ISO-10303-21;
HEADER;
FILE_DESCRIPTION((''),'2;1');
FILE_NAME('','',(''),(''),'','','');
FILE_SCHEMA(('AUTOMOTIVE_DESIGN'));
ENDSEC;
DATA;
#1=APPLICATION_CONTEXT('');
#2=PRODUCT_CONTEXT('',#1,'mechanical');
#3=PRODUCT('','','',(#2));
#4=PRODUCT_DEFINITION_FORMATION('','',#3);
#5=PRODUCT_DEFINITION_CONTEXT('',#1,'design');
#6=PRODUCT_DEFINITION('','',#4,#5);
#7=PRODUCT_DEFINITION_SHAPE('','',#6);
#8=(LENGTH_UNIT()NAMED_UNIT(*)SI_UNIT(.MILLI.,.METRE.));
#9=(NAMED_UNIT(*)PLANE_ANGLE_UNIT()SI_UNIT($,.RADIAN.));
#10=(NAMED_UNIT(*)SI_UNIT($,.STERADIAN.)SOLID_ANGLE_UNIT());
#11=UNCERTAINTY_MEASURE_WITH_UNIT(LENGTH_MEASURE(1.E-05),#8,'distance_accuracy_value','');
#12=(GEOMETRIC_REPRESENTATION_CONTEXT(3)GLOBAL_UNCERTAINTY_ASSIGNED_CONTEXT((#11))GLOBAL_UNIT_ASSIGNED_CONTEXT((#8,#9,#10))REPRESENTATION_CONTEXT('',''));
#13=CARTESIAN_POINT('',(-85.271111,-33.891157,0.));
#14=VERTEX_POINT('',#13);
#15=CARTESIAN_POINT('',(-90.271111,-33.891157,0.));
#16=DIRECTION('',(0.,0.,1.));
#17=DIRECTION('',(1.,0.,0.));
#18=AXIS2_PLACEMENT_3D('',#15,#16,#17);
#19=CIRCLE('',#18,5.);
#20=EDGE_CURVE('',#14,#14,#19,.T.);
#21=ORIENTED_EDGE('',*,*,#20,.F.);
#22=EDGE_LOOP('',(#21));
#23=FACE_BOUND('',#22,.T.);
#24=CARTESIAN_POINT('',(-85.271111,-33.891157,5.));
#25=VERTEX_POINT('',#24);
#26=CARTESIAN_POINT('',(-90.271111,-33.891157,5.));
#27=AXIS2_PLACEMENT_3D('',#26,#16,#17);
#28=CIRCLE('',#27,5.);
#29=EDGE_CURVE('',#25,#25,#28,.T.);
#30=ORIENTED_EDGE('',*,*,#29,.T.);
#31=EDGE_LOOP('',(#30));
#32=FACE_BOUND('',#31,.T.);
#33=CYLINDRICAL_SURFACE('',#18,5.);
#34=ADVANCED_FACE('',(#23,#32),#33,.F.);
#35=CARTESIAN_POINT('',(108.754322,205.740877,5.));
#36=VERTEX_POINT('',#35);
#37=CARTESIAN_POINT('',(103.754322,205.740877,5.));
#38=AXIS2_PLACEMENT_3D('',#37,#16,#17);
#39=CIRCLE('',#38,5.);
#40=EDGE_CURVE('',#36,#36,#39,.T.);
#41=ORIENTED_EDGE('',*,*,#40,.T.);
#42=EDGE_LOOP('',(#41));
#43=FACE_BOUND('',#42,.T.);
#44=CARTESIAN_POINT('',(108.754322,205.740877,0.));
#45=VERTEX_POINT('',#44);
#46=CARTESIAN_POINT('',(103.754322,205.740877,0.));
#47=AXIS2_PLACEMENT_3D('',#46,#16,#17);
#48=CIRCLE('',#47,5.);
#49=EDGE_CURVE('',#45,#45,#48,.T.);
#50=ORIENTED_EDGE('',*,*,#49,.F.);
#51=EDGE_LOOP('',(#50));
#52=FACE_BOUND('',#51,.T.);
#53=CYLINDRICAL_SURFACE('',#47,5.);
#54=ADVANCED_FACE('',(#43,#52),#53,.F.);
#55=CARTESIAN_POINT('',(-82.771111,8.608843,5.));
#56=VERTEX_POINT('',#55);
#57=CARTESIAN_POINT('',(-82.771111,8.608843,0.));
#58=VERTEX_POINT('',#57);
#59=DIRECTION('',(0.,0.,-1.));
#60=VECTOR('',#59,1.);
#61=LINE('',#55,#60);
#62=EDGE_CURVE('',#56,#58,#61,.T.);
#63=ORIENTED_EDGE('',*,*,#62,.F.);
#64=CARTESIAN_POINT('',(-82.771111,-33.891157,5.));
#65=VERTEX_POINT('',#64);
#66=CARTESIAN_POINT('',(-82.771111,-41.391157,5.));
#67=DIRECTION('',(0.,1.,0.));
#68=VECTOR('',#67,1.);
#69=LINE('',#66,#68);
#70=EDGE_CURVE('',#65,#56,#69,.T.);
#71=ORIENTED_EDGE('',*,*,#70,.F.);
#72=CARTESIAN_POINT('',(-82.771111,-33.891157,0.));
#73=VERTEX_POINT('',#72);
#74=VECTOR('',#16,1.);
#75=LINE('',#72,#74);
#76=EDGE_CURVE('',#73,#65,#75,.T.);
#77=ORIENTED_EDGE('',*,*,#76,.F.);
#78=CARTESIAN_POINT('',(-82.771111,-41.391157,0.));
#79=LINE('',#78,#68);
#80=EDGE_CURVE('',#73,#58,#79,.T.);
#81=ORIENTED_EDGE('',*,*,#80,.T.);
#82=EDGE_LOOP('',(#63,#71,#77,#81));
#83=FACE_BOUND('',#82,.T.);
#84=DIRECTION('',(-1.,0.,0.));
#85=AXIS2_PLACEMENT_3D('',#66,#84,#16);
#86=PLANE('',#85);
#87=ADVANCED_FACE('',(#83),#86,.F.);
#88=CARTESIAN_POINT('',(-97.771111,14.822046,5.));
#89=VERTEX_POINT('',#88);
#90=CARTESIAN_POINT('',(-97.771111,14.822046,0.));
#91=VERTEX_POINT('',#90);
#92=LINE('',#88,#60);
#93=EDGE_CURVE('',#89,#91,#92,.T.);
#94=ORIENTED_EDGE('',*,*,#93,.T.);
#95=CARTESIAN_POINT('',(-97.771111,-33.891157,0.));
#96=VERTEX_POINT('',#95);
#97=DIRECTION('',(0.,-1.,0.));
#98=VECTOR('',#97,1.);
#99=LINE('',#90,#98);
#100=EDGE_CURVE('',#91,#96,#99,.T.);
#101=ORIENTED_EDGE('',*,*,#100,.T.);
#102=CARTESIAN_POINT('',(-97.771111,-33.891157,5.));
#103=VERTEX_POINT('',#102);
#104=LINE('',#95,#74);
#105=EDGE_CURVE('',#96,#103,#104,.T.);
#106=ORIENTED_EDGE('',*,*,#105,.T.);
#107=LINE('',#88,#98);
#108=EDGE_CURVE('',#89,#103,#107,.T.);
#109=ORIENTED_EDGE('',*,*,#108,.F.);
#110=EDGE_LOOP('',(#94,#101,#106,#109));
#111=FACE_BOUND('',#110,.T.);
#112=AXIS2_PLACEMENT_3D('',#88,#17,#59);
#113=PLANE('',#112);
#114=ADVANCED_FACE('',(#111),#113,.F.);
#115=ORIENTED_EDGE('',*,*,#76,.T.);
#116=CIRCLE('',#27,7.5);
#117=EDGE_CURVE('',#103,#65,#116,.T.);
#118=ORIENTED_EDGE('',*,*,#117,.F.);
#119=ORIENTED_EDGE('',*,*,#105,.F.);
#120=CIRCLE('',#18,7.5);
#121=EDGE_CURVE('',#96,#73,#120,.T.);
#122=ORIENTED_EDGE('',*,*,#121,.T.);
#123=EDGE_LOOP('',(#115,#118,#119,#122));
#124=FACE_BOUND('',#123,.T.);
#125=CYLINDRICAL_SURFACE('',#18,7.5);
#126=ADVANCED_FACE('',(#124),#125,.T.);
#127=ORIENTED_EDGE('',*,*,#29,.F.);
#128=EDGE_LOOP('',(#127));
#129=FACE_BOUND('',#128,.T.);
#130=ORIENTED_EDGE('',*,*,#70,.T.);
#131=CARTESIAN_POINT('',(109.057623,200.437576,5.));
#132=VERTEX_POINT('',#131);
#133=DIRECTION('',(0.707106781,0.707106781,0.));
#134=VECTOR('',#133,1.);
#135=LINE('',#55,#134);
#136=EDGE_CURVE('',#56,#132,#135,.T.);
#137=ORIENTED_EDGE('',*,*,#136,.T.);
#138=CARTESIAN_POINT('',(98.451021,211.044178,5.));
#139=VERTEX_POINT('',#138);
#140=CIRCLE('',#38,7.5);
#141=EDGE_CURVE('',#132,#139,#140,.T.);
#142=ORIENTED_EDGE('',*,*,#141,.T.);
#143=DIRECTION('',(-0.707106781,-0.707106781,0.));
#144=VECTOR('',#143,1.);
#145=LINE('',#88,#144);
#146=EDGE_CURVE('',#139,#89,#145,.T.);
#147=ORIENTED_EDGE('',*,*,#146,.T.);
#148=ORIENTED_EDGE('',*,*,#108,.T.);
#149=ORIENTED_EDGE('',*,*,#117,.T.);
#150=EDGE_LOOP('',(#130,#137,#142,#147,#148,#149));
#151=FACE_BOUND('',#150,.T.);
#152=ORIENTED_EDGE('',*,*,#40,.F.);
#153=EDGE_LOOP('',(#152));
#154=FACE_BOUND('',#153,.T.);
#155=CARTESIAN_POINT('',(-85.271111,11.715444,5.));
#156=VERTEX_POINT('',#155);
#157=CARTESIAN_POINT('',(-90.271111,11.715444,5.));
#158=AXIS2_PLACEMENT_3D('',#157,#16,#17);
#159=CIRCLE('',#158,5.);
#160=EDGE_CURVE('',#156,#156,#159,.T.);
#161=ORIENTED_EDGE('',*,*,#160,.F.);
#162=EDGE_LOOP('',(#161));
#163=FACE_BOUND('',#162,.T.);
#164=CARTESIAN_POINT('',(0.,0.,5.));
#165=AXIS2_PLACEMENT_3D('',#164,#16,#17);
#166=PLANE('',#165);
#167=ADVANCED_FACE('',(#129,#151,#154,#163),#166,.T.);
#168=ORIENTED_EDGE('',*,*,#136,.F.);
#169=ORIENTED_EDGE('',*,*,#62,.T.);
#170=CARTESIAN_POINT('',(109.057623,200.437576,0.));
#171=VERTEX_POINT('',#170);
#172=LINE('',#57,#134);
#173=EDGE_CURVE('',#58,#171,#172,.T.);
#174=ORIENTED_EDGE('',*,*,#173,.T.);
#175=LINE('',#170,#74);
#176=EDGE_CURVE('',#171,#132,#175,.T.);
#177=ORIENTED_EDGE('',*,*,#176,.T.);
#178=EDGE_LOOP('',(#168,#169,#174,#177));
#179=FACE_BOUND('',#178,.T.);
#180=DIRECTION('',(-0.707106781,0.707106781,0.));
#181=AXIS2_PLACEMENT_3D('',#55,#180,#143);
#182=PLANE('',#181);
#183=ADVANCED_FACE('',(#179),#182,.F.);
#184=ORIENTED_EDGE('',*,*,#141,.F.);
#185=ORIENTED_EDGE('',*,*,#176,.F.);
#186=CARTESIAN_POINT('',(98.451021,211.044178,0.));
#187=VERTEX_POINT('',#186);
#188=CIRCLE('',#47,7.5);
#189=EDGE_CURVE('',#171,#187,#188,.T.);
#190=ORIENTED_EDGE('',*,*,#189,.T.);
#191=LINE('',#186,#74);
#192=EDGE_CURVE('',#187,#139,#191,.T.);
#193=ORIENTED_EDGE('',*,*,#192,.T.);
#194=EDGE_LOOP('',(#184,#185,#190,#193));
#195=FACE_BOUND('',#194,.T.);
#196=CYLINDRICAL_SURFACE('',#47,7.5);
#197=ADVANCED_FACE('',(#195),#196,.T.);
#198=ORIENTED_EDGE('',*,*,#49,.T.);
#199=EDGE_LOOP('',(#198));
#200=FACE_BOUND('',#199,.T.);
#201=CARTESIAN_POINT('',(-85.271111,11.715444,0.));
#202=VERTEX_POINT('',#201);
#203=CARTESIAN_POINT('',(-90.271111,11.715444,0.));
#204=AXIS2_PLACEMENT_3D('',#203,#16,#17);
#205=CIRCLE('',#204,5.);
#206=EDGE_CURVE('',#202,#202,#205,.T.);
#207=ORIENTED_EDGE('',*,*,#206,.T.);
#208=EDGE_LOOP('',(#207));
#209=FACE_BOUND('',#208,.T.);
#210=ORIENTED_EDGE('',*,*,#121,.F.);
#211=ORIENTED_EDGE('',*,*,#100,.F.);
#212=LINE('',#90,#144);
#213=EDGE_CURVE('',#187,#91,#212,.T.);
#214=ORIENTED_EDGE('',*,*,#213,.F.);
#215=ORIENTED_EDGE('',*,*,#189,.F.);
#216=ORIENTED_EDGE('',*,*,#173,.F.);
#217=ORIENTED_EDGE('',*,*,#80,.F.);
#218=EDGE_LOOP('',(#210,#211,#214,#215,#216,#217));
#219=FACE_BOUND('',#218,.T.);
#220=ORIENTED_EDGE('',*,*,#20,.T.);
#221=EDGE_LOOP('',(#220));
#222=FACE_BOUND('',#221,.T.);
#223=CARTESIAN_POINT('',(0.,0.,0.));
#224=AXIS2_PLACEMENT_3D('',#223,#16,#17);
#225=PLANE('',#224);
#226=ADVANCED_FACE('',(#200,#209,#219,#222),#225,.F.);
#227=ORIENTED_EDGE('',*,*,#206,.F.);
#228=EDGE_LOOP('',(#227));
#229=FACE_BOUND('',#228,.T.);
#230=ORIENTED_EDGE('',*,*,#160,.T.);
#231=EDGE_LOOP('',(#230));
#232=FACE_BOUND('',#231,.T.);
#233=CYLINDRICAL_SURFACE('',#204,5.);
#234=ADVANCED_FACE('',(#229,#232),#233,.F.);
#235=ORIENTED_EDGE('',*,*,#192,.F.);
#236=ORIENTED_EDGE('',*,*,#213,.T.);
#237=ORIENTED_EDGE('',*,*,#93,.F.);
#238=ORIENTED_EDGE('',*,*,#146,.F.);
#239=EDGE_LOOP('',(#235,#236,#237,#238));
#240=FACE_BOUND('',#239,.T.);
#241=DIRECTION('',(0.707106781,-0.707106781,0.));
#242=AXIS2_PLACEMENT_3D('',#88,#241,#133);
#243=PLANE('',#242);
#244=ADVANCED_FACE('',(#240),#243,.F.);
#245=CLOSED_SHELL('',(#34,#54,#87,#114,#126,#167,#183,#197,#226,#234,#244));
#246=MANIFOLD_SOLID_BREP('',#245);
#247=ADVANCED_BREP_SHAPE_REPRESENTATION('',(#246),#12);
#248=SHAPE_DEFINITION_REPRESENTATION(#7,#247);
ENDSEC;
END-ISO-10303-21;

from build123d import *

# Parameters (mm, degrees)
BOSS_EXTRUDE1_DEPTH = 5
SKETCH2_R           = 5
CUT_EXTRUDE1_DEPTH  = 5
SKETCH3_R           = 5
CUT_EXTRUDE2_DEPTH  = 6


with BuildPart() as part:
    # Sketch1 → Boss-Extrude1 (new body)
    with BuildSketch(Plane.XY):
        Polygon((-97.771110706, 14.82204599), (-97.771110706, -41.391157445), (-82.771110706, -41.391157445), (-82.771110706, 8.608842555), (114.36092365, 205.740876911), (103.754321932, 216.347478628), align=None)
    extrude(amount=BOSS_EXTRUDE1_DEPTH)

    # Sketch2 → Cut-Extrude1 (cut)
    with BuildSketch(Plane.XY.offset(5)):
        with Locations((-90.271110706, -33.891157445)):
            Circle(SKETCH2_R)
        with BuildLine():
            ThreePointArc((-90.271110669, -41.391157445), (-95.574411596, -39.194458273), (-97.771110706, -33.891157321))
            Line((-97.771110706, -33.891157321), (-97.771110706, -41.391157445))
            Line((-97.771110706, -41.391157445), (-90.271110669, -41.391157445))
        make_face()
        with BuildLine():
            Line((-82.771110706, -41.391157445), (-82.771110706, -33.891157445))
            ThreePointArc((-82.771110706, -33.891157445), (-84.967809834, -39.194458291), (-90.271110669, -41.391157445))
            Line((-90.271110669, -41.391157445), (-82.771110706, -41.391157445))
        make_face()
        with Locations((103.754321932, 205.740876911)):
            Circle(SKETCH2_R)
        with BuildLine():
            Line((109.057622903, 211.044177658), (103.754321932, 216.347478628))
            Line((103.754321932, 216.347478628), (98.451021073, 211.04417777))
            ThreePointArc((98.451021073, 211.04417777), (103.754322011, 213.240876911), (109.057622903, 211.044177658))
        make_face()
        with BuildLine():
            Line((114.36092365, 205.740876911), (109.057622903, 211.044177658))
            ThreePointArc((109.057622903, 211.044177658), (110.683418456, 208.61100258), (111.254321932, 205.740876911))
            ThreePointArc((111.254321932, 205.740876911), (110.683418433, 202.870751185), (109.057622817, 200.437576078))
            Line((109.057622817, 200.437576078), (114.36092365, 205.740876911))
        make_face()
    extrude(amount=-CUT_EXTRUDE1_DEPTH, mode=Mode.SUBTRACT)

    # Sketch3 → Cut-Extrude2 (cut, through all)
    with BuildSketch(Plane.XY.offset(5)):
        with Locations((-90.271110706, 11.715444272)):
            Circle(SKETCH3_R)
    extrude(amount=-CUT_EXTRUDE2_DEPTH, mode=Mode.SUBTRACT)


solid = part.part
